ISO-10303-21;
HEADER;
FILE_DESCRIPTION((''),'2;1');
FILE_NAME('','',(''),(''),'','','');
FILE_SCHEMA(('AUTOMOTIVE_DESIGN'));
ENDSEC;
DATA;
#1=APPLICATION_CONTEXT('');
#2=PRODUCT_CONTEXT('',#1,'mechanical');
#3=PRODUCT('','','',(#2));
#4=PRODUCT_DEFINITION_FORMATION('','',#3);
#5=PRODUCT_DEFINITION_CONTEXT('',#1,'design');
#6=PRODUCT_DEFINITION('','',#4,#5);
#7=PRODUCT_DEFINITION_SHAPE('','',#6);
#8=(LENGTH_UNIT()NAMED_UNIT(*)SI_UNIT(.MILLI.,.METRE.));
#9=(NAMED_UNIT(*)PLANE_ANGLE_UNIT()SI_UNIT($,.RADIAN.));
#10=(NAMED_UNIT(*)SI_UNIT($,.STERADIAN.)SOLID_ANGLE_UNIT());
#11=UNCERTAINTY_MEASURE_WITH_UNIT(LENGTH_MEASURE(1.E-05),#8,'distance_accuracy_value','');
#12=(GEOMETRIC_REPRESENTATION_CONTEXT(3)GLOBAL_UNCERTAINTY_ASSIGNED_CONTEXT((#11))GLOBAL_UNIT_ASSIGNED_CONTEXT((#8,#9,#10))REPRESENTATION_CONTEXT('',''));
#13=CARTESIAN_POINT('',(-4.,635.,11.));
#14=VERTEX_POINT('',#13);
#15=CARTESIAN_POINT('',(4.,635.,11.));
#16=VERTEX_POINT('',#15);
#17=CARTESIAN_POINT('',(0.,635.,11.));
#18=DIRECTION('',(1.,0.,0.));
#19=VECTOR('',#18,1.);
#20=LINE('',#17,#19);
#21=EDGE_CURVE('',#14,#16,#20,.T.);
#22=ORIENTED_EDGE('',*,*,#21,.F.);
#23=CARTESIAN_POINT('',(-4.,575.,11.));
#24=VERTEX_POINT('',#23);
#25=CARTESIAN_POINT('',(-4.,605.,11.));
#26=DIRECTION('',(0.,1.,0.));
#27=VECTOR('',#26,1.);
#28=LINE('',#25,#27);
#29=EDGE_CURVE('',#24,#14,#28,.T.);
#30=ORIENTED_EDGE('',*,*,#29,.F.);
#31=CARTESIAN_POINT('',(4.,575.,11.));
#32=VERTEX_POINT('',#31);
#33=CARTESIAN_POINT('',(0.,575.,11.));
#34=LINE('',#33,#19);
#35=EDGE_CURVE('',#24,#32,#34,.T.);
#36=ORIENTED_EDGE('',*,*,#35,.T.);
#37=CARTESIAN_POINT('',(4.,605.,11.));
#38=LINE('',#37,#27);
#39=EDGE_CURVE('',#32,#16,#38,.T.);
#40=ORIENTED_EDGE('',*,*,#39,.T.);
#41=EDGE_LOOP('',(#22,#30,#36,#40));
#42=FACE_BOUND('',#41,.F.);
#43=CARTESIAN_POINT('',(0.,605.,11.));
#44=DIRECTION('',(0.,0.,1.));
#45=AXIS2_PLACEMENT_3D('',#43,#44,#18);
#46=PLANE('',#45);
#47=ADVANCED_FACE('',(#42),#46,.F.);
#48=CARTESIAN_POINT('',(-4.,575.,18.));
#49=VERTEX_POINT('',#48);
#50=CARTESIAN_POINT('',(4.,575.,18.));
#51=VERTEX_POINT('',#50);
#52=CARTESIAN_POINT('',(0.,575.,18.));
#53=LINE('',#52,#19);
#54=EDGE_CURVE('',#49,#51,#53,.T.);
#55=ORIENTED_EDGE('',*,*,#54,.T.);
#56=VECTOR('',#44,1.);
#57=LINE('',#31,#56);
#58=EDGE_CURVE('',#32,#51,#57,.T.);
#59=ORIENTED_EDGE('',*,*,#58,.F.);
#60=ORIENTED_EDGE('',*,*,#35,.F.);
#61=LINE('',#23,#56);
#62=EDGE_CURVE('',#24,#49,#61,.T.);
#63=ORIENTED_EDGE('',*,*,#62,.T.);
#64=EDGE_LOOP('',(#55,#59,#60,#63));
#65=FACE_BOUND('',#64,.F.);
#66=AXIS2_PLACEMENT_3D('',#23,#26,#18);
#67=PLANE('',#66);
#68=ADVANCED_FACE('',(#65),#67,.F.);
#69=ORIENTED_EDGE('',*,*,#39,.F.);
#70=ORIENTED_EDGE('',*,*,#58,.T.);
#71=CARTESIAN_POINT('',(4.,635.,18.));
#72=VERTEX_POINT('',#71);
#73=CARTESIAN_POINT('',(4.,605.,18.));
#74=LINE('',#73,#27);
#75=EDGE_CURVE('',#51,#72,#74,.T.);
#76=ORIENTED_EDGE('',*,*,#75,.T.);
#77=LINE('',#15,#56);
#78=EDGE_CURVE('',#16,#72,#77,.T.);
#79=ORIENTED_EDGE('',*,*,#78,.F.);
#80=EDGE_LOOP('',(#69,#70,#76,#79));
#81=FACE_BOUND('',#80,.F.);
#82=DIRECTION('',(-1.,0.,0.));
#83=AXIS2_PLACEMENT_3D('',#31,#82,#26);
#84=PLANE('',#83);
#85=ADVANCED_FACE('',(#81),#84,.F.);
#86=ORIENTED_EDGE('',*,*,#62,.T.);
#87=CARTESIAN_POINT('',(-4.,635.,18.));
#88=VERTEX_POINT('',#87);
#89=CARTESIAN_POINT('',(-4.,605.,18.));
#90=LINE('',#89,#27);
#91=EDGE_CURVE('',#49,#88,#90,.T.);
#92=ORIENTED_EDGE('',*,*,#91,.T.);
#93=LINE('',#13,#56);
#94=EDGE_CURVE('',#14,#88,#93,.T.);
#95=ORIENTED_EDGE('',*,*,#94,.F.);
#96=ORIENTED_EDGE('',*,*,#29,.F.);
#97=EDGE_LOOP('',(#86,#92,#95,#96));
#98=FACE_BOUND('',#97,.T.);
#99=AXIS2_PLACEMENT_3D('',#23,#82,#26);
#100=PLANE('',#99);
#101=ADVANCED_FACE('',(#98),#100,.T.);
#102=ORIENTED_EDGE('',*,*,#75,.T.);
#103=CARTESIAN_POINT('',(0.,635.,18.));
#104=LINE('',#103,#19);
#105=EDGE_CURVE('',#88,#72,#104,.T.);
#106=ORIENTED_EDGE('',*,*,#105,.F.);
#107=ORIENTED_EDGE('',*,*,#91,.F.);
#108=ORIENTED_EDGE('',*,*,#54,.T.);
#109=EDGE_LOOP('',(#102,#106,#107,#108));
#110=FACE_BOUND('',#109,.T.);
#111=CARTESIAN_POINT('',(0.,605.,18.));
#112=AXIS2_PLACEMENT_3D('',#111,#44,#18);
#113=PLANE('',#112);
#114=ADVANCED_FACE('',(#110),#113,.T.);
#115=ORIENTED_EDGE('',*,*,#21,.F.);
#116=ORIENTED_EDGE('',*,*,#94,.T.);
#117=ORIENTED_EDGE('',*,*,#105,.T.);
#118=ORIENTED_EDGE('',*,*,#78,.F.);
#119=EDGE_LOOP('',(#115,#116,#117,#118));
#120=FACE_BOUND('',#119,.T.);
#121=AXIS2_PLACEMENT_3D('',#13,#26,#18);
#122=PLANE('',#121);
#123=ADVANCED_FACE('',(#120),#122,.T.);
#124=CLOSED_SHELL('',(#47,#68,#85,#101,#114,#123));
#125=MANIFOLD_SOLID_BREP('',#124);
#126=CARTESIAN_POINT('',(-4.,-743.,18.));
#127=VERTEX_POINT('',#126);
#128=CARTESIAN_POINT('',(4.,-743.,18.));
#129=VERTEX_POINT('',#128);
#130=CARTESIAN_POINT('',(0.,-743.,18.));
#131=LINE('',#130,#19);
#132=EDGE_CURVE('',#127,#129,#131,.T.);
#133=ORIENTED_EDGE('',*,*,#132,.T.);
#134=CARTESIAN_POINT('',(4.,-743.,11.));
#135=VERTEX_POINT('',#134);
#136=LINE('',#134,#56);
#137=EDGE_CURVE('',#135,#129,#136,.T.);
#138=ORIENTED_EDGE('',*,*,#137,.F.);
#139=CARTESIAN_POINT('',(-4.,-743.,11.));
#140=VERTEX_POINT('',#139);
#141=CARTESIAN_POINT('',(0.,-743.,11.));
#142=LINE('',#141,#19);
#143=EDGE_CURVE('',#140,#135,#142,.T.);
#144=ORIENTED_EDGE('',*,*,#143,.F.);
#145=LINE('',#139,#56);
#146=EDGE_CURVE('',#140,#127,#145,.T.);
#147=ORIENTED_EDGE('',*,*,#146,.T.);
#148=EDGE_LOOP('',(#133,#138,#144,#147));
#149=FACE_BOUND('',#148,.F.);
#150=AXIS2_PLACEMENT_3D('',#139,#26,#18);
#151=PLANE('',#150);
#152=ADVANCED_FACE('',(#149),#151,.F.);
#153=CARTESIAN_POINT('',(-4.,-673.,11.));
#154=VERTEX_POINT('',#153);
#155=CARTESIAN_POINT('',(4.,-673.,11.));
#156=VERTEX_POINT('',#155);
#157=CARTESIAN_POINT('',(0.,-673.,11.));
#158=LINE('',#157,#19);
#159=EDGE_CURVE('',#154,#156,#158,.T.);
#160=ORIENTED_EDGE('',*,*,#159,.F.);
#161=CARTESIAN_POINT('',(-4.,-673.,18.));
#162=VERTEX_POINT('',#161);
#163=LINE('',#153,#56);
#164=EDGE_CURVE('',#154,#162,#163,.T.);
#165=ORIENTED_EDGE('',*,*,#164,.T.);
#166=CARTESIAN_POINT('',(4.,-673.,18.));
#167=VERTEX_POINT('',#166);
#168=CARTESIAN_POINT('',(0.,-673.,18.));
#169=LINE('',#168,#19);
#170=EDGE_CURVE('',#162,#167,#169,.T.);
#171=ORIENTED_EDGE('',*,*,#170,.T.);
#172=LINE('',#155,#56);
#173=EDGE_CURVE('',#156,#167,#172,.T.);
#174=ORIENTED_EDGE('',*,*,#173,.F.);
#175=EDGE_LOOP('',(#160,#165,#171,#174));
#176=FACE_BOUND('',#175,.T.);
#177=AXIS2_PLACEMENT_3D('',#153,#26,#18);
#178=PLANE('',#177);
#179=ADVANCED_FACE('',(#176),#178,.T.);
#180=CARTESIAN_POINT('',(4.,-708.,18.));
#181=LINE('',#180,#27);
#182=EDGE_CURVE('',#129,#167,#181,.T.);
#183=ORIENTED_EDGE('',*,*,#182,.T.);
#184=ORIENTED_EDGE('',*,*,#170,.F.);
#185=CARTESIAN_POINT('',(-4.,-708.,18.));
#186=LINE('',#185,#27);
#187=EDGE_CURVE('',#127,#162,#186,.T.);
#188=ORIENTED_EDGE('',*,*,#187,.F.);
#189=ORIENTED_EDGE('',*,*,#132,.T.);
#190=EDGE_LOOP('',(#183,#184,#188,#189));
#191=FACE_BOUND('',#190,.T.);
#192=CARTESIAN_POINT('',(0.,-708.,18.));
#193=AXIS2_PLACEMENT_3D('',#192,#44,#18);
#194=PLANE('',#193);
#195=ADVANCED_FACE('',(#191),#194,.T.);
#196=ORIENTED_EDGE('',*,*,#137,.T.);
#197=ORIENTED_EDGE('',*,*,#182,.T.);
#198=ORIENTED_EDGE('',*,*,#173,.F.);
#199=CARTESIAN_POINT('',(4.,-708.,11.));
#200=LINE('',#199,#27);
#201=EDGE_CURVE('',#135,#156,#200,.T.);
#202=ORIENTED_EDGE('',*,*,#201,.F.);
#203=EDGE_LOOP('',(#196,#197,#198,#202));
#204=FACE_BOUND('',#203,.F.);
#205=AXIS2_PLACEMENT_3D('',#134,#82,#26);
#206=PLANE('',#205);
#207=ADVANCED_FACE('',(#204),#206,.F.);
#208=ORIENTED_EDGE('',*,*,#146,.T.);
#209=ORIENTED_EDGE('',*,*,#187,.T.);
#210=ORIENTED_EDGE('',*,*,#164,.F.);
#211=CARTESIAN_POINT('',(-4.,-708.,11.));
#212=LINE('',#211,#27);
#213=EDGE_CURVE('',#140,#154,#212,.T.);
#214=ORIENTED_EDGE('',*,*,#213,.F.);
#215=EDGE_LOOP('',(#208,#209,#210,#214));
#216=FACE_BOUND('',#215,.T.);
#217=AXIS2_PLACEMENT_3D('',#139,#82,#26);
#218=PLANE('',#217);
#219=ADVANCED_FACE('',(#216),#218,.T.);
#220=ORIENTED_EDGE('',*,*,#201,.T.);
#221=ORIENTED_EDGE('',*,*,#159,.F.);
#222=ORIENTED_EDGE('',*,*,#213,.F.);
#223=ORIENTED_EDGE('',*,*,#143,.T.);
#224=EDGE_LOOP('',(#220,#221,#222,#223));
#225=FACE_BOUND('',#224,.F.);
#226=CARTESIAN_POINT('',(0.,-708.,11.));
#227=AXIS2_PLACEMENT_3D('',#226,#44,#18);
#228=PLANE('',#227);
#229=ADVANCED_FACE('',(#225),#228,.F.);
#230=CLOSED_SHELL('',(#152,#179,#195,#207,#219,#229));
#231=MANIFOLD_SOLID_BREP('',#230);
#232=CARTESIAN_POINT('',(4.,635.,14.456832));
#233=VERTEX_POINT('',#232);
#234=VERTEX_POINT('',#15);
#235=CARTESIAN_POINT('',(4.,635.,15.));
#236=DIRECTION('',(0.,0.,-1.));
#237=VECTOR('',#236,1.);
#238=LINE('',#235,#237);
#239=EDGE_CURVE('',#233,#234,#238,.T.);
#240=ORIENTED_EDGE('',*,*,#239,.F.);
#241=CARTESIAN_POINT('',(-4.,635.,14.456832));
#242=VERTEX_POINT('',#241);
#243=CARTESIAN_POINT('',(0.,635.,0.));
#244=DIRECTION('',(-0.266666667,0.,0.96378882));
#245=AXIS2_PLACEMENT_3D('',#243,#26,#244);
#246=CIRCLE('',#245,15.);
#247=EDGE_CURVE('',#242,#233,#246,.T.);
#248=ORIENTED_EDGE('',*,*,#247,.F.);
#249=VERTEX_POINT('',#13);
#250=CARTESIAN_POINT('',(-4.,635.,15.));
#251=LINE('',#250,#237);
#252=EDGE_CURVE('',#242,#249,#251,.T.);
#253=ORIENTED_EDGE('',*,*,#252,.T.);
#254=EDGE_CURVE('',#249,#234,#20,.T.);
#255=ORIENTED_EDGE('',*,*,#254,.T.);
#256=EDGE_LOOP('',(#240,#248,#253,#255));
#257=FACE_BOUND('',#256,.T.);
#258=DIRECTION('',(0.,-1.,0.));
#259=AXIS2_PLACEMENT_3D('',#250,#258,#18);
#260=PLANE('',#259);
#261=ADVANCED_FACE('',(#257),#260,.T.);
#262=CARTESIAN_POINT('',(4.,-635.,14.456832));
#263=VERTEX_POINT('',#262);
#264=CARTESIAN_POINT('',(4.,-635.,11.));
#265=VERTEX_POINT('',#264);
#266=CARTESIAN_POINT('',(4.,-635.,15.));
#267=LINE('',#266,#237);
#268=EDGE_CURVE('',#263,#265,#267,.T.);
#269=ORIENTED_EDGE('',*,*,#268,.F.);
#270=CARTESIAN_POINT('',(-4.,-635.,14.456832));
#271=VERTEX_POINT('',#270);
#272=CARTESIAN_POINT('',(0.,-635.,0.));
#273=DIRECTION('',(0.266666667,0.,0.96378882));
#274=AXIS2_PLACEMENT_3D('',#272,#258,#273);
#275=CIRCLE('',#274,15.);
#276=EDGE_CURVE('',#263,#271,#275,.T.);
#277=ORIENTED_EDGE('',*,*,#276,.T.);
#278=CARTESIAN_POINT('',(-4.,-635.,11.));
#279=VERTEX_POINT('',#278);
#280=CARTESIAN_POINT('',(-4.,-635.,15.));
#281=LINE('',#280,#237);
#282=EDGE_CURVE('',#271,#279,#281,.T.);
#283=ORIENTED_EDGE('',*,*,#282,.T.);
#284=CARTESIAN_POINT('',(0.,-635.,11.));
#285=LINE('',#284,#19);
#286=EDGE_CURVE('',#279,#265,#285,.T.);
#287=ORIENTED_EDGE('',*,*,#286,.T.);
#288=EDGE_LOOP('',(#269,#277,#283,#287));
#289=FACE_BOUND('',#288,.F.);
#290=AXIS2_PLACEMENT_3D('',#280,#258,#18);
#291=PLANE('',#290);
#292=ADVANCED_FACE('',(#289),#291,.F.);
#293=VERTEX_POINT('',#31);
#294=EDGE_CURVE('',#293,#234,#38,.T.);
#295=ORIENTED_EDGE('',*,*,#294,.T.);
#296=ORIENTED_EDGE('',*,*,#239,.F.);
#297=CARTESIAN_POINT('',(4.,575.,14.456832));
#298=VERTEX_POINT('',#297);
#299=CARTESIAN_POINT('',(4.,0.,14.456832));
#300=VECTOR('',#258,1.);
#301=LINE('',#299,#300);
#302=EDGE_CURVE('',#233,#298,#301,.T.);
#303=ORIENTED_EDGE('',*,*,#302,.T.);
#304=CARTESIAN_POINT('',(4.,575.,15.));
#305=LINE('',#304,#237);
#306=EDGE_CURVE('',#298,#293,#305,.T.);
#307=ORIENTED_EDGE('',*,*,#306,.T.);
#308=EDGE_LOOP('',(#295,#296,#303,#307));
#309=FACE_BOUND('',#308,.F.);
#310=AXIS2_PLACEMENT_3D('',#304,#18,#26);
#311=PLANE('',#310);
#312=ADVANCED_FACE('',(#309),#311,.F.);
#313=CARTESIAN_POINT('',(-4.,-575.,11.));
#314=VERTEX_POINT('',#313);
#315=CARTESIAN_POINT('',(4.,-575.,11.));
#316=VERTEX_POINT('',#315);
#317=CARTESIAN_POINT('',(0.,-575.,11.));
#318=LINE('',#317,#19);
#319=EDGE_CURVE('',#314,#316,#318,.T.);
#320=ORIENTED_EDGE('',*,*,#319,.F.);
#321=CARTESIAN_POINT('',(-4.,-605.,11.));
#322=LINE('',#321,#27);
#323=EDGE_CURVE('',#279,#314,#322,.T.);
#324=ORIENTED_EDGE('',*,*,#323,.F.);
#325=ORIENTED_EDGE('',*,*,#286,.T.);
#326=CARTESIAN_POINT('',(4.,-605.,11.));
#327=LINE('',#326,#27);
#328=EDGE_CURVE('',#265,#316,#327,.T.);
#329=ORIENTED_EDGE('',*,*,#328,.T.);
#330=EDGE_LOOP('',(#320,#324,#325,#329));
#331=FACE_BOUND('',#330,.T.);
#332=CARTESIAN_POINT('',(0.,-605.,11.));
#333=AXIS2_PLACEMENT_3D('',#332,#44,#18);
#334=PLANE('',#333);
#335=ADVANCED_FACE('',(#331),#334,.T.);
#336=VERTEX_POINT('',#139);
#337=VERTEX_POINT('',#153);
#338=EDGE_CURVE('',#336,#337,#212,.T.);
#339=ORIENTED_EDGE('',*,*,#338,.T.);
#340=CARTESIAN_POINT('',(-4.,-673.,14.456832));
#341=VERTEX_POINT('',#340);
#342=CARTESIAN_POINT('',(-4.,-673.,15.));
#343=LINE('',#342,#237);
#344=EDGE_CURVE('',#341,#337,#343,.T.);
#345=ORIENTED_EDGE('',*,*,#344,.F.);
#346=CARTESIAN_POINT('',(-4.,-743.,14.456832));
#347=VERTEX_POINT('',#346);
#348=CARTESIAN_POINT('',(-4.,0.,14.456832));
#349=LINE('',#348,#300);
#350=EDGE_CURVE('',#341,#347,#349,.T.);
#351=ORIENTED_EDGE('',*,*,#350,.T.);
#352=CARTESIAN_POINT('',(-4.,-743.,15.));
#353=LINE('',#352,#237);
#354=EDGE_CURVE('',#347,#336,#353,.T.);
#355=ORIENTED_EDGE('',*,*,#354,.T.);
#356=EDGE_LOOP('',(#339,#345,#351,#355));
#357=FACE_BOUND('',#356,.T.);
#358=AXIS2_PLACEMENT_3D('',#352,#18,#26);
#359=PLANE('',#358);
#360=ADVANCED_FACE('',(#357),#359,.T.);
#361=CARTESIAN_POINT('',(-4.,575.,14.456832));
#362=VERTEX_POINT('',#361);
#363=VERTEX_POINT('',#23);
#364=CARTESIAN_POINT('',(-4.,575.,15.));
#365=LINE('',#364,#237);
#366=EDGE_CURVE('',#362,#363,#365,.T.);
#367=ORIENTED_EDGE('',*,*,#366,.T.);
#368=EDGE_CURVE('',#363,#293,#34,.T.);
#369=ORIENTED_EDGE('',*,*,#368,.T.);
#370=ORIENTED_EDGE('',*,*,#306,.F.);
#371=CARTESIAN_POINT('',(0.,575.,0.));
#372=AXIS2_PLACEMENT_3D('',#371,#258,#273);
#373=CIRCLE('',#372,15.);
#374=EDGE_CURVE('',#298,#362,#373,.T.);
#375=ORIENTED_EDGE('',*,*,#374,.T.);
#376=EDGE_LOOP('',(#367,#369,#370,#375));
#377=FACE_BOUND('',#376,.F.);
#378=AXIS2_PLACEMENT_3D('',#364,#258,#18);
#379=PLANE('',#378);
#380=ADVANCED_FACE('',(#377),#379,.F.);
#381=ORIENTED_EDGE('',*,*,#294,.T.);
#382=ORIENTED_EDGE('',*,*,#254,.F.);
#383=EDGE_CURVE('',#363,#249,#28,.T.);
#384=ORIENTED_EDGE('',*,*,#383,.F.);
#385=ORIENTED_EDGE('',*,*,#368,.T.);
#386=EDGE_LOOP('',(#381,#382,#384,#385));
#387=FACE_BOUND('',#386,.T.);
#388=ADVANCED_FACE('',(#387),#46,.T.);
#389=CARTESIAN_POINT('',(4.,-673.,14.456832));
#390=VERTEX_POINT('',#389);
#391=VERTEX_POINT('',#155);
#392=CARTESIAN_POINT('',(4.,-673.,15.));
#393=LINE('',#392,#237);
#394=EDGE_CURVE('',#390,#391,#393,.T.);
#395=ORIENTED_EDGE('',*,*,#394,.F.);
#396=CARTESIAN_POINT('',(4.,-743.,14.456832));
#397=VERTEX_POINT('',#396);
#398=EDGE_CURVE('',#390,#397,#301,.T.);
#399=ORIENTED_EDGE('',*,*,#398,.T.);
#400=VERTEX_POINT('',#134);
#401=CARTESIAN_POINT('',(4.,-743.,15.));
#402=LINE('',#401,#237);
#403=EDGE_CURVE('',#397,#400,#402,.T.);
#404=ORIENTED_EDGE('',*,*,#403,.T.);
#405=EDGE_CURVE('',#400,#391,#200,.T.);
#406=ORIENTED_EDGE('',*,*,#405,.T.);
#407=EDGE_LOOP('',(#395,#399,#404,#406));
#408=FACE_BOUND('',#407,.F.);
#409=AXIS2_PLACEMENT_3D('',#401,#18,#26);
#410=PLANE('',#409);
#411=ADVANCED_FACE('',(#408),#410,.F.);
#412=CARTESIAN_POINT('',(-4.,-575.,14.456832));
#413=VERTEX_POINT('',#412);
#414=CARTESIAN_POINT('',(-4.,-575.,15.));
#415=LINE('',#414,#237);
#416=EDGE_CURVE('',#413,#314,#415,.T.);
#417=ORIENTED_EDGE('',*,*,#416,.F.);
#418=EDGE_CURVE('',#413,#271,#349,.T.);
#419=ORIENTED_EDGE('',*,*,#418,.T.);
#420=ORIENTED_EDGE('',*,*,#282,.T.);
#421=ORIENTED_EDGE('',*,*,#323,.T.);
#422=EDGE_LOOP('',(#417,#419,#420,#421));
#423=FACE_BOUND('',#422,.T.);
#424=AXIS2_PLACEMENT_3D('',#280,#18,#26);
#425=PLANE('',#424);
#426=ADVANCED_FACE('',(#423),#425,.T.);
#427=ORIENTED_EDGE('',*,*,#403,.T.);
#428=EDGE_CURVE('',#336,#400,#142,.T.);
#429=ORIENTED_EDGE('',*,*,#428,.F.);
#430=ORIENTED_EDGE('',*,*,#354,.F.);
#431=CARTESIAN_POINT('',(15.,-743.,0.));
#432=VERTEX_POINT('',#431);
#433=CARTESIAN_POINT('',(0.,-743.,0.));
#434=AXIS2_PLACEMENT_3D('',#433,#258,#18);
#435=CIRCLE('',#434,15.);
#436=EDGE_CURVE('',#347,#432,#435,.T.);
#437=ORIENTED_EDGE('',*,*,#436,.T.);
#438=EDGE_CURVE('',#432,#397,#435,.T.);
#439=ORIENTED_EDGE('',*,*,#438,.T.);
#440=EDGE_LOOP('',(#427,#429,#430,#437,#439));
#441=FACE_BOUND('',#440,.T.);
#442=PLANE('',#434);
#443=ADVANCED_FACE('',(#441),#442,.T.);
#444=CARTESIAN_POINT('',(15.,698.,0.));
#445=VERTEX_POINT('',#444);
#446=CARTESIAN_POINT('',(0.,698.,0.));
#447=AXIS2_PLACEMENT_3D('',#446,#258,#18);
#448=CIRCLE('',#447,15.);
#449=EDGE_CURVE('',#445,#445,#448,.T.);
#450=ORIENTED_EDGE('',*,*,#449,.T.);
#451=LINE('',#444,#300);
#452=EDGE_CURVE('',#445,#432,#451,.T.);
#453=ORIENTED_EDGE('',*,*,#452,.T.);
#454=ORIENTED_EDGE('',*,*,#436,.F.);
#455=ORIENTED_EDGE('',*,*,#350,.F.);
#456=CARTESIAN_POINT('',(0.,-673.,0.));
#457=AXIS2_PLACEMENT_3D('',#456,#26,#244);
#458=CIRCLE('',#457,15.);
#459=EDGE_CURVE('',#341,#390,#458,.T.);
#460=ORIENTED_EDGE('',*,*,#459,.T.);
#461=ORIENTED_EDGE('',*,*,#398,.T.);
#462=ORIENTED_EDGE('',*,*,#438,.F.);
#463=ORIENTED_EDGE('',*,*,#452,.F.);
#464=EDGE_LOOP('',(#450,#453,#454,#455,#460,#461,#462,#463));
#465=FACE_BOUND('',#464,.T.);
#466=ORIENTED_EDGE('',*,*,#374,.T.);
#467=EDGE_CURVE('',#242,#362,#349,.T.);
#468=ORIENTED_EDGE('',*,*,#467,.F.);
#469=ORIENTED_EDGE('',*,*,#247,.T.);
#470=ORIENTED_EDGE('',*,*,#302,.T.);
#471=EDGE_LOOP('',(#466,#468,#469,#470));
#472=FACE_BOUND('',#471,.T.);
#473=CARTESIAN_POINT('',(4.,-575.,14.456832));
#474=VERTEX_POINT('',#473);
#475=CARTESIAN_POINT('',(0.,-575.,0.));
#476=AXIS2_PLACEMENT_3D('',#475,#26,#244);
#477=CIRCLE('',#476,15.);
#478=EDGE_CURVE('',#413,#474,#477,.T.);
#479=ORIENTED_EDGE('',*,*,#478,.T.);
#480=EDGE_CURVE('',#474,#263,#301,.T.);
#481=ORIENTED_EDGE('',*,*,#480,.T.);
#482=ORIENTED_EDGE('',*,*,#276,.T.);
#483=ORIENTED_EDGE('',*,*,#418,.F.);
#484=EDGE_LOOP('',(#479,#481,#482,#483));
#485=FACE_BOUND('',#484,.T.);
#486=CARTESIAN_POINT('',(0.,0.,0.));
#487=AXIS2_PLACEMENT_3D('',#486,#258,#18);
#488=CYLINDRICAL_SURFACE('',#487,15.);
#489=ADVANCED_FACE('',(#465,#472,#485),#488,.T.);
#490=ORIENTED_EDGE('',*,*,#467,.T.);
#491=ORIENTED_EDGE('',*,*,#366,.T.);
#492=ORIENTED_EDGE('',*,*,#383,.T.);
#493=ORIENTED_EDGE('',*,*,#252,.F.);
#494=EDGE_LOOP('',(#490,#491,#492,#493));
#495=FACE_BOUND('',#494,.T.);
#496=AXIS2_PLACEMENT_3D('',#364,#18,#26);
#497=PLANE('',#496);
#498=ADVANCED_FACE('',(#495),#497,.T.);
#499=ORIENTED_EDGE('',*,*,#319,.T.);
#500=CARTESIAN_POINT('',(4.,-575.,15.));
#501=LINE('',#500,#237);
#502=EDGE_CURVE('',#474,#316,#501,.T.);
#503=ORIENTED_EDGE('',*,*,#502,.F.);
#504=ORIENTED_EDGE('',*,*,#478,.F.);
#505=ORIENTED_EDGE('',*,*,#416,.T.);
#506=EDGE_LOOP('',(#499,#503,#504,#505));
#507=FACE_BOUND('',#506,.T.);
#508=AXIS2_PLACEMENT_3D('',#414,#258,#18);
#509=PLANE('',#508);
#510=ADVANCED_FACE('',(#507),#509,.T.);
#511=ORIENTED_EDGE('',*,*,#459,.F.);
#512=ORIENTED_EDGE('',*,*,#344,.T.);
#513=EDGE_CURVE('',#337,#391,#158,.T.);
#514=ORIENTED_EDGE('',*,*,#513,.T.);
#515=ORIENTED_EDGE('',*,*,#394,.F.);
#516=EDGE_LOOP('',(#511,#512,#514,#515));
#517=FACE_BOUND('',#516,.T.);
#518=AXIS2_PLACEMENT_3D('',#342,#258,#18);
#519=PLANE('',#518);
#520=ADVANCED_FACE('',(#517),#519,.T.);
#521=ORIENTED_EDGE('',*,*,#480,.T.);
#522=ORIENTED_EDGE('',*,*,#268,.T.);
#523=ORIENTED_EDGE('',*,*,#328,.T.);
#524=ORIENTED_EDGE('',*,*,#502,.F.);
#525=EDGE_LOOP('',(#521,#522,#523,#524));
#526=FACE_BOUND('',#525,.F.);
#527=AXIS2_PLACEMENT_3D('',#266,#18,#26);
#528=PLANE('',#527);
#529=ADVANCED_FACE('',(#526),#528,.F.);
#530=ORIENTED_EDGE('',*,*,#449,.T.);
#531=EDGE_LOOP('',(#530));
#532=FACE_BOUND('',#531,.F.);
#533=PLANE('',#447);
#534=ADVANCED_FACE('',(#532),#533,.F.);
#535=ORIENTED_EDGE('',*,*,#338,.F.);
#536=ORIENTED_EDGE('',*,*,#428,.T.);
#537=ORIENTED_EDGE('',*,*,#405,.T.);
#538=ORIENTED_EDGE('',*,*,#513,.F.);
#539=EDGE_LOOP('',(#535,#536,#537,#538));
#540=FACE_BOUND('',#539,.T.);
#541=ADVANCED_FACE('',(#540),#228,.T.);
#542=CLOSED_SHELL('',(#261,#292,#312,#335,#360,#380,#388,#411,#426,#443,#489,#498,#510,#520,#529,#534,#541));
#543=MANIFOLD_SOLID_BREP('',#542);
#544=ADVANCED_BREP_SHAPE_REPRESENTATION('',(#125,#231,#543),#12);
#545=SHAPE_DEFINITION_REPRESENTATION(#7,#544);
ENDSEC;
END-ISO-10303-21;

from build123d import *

# Parameters (mm, degrees)
F0_R          = 15
F1_DEPTH      = 743
F1_DEPTH_BACK = 698
F3_W          = 8
F3_H          = 60
F3_H_2        = 70
F4_DEPTH      = 4
F4_FACE_W     = 8
F4_FACE_H     = 70
F4_FACE_H_2   = 60
F5_DEPTH      = 7


with BuildPart() as f1:
    # F0 (on Front) → F1 (new body, two sides)
    with BuildSketch(Plane.XZ) as f1_sk:
        Circle(F0_R)
    extrude(amount=F1_DEPTH)
    extrude(f1_sk.sketch, amount=-F1_DEPTH_BACK)

    # F3 (on offset) → F4 (cut)
    with BuildSketch(Plane.XY.offset(15)):
        with Locations((0, 605)):
            Rectangle(F3_W, F3_H)
        with Locations((0, -605)):
            Rectangle(F3_W, F3_H)
        with Locations((0, -708)):
            Rectangle(F3_W, F3_H_2)
    extrude(amount=-F4_DEPTH, mode=Mode.SUBTRACT)


with BuildPart() as f5:
    # F4_face (on face) → F5 (new body)
    with BuildSketch(Plane(origin=(0, -708, 11), x_dir=(1, 0, 0), z_dir=(0, 0, 1))):
        Rectangle(F4_FACE_W, F4_FACE_H)
        with Locations((0, 1313)):
            Rectangle(F4_FACE_W, F4_FACE_H_2)
    extrude(amount=F5_DEPTH)


solid = Compound([f1.part, f5.part])
